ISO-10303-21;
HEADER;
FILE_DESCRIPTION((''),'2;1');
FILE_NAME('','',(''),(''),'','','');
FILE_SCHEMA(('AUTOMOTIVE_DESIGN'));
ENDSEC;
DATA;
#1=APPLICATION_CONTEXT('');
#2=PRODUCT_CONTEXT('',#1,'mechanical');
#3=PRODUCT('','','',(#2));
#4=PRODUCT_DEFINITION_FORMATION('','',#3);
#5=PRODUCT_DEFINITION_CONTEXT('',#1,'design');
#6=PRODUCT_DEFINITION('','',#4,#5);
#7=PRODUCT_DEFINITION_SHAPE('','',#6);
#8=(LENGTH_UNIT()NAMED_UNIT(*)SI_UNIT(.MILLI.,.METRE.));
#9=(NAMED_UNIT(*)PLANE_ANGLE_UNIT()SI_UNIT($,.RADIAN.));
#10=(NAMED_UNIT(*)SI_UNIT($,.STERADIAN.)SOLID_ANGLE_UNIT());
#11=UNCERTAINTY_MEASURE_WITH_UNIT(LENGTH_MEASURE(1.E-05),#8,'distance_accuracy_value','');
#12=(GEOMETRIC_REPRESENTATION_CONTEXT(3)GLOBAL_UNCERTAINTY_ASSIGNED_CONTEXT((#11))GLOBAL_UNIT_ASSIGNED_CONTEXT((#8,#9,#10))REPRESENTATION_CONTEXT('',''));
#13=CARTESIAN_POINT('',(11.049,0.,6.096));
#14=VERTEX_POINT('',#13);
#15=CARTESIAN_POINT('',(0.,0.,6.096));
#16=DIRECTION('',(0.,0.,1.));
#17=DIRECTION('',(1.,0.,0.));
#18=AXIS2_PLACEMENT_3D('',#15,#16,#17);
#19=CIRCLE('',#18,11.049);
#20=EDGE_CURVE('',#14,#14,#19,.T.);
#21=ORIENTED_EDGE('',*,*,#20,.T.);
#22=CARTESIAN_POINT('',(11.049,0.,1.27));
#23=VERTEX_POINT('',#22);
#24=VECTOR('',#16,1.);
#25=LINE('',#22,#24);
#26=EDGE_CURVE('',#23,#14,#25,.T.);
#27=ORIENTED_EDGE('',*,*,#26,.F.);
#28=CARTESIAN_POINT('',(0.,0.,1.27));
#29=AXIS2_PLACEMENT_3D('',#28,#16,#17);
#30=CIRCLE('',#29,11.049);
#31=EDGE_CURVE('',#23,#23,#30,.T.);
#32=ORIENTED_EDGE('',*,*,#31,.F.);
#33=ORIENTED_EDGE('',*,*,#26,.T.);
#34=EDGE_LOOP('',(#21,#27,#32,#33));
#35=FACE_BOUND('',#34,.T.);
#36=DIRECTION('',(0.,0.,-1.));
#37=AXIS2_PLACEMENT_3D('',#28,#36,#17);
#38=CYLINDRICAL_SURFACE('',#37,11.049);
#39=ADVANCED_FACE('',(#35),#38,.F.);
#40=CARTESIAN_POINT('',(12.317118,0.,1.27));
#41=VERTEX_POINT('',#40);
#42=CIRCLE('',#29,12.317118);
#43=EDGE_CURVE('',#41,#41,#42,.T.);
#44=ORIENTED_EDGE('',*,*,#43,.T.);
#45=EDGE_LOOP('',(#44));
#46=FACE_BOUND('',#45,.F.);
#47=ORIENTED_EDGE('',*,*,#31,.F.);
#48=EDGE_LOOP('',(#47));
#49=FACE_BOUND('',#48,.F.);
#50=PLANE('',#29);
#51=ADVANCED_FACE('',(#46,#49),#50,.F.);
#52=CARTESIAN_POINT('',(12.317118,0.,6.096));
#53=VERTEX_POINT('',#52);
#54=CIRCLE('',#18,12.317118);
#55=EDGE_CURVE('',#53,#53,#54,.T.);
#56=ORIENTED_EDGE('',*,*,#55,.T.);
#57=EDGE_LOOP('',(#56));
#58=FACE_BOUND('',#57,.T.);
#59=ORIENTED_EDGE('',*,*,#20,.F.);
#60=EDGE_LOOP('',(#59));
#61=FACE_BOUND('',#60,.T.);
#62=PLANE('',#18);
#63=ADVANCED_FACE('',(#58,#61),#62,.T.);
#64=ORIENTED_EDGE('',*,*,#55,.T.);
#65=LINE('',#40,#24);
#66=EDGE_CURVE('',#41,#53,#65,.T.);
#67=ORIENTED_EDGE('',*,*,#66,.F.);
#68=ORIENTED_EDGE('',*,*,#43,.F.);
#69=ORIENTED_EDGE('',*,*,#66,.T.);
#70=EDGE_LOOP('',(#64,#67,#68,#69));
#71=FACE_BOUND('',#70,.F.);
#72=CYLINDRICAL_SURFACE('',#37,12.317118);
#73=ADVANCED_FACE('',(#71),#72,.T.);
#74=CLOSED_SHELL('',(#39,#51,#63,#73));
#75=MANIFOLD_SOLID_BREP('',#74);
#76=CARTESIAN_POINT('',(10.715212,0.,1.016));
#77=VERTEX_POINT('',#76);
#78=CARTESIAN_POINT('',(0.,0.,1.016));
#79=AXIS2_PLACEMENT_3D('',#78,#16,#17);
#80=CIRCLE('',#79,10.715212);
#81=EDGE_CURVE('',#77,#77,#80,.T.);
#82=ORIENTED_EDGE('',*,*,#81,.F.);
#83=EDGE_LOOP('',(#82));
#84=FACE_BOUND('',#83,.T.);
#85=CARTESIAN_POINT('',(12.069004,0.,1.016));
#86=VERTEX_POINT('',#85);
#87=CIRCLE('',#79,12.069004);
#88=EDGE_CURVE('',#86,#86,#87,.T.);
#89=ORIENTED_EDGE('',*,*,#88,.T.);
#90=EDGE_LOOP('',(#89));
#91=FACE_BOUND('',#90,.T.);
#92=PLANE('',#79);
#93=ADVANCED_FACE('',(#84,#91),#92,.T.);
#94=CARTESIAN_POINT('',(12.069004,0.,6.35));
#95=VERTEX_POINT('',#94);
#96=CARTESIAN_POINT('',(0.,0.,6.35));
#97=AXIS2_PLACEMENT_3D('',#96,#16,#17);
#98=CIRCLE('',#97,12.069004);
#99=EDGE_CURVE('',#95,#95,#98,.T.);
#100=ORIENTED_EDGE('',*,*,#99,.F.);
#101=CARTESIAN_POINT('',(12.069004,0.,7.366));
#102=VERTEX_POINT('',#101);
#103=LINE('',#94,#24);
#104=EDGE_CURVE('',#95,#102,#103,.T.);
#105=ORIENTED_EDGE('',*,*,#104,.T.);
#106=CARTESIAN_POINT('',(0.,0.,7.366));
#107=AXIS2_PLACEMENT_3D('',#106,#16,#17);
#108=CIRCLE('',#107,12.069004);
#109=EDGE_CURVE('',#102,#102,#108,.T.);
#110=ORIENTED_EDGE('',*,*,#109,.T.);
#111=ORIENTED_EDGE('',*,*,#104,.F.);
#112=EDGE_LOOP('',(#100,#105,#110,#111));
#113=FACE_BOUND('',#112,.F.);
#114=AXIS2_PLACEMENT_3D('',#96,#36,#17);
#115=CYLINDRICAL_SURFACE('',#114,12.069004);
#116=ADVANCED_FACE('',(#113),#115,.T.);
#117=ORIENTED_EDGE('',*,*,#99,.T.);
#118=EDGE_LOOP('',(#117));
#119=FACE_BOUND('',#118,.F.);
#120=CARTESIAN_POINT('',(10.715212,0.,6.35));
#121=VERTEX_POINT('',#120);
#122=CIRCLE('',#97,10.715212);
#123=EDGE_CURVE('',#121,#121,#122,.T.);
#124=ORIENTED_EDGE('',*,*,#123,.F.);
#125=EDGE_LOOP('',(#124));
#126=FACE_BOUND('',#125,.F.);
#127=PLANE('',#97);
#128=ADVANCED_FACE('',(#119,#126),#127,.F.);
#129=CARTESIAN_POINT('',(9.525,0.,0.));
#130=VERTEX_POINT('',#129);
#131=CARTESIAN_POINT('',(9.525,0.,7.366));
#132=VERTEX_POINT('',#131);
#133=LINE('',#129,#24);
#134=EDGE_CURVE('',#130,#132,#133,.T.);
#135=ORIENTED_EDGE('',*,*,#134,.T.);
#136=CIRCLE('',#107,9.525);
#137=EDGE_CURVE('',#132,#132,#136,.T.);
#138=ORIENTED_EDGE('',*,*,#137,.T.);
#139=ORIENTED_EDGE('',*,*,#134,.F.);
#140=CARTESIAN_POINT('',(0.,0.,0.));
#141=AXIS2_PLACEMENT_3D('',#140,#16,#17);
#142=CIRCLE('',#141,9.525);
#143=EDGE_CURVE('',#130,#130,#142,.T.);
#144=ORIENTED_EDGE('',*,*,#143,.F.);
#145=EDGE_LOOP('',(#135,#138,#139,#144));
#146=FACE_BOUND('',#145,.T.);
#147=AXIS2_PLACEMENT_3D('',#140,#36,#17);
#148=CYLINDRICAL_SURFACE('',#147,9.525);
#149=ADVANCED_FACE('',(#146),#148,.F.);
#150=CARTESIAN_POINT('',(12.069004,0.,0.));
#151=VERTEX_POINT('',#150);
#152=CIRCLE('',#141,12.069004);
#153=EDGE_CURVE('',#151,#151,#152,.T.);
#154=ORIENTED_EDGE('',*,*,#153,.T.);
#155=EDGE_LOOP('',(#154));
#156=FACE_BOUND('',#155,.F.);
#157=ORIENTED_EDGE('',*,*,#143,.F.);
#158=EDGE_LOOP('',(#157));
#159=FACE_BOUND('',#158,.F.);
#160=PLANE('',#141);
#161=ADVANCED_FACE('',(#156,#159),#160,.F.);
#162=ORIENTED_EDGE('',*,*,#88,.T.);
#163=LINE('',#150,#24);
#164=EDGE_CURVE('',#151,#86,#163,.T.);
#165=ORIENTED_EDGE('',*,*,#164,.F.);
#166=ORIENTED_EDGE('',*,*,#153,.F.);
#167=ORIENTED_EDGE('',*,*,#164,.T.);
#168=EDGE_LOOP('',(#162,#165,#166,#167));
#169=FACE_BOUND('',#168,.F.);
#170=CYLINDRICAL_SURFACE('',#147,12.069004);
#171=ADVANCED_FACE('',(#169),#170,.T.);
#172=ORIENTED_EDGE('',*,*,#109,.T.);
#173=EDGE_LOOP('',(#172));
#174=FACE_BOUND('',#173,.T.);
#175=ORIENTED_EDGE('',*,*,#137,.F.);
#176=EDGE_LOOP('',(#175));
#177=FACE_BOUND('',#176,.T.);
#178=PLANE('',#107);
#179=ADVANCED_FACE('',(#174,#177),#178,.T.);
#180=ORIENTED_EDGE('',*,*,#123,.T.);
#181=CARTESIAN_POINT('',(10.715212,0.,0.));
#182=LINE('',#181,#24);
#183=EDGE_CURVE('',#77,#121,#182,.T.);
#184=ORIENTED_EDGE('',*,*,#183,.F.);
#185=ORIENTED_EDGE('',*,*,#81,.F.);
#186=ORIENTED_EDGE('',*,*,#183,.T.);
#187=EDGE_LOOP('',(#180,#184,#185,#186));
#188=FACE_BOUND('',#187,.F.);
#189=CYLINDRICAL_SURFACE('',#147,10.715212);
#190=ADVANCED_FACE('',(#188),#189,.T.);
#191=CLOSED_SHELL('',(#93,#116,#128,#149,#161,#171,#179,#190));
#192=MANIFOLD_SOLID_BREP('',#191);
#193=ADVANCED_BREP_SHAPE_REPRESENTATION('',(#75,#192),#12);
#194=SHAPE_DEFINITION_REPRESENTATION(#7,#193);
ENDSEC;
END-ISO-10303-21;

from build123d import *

# Parameters (mm, degrees)
F0_R     = 10.7152116662
F0_R_2   = 9.525
F1_DEPTH = 7.366
F0_R_3   = 12.0690039206
F2_DEPTH = 1.016
F3_START = 6.35
F3_DEPTH = 1.016
F5_START = 0.254
F4_R     = 12.3171181136
F4_R_2   = 11.049
F5_DEPTH = 4.826


with BuildPart() as f1:
    # F0 (on Top) → F1 (new body)
    with BuildSketch(Plane.XY):
        Circle(F0_R)
        Circle(F0_R_2, mode=Mode.SUBTRACT)
    extrude(amount=F1_DEPTH)

    # F0 (on Top) → F2 (join)
    with BuildSketch(Plane.XY):
        Circle(F0_R_3)
        Circle(F0_R, mode=Mode.SUBTRACT)
    extrude(amount=F2_DEPTH)

    # F0 (on Top) → F3 (join)
    with BuildSketch(Plane.XY.offset(F3_START)):
        Circle(F0_R_3)
        Circle(F0_R, mode=Mode.SUBTRACT)
    extrude(amount=F3_DEPTH)


with BuildPart() as f5:
    # F4 (on face) → F5 (new body)
    with BuildSketch(Plane.XY.offset(1.016).offset(F5_START)):
        Circle(F4_R)
        Circle(F4_R_2, mode=Mode.SUBTRACT)
    extrude(amount=F5_DEPTH)


solid = Compound([f1.part, f5.part])
